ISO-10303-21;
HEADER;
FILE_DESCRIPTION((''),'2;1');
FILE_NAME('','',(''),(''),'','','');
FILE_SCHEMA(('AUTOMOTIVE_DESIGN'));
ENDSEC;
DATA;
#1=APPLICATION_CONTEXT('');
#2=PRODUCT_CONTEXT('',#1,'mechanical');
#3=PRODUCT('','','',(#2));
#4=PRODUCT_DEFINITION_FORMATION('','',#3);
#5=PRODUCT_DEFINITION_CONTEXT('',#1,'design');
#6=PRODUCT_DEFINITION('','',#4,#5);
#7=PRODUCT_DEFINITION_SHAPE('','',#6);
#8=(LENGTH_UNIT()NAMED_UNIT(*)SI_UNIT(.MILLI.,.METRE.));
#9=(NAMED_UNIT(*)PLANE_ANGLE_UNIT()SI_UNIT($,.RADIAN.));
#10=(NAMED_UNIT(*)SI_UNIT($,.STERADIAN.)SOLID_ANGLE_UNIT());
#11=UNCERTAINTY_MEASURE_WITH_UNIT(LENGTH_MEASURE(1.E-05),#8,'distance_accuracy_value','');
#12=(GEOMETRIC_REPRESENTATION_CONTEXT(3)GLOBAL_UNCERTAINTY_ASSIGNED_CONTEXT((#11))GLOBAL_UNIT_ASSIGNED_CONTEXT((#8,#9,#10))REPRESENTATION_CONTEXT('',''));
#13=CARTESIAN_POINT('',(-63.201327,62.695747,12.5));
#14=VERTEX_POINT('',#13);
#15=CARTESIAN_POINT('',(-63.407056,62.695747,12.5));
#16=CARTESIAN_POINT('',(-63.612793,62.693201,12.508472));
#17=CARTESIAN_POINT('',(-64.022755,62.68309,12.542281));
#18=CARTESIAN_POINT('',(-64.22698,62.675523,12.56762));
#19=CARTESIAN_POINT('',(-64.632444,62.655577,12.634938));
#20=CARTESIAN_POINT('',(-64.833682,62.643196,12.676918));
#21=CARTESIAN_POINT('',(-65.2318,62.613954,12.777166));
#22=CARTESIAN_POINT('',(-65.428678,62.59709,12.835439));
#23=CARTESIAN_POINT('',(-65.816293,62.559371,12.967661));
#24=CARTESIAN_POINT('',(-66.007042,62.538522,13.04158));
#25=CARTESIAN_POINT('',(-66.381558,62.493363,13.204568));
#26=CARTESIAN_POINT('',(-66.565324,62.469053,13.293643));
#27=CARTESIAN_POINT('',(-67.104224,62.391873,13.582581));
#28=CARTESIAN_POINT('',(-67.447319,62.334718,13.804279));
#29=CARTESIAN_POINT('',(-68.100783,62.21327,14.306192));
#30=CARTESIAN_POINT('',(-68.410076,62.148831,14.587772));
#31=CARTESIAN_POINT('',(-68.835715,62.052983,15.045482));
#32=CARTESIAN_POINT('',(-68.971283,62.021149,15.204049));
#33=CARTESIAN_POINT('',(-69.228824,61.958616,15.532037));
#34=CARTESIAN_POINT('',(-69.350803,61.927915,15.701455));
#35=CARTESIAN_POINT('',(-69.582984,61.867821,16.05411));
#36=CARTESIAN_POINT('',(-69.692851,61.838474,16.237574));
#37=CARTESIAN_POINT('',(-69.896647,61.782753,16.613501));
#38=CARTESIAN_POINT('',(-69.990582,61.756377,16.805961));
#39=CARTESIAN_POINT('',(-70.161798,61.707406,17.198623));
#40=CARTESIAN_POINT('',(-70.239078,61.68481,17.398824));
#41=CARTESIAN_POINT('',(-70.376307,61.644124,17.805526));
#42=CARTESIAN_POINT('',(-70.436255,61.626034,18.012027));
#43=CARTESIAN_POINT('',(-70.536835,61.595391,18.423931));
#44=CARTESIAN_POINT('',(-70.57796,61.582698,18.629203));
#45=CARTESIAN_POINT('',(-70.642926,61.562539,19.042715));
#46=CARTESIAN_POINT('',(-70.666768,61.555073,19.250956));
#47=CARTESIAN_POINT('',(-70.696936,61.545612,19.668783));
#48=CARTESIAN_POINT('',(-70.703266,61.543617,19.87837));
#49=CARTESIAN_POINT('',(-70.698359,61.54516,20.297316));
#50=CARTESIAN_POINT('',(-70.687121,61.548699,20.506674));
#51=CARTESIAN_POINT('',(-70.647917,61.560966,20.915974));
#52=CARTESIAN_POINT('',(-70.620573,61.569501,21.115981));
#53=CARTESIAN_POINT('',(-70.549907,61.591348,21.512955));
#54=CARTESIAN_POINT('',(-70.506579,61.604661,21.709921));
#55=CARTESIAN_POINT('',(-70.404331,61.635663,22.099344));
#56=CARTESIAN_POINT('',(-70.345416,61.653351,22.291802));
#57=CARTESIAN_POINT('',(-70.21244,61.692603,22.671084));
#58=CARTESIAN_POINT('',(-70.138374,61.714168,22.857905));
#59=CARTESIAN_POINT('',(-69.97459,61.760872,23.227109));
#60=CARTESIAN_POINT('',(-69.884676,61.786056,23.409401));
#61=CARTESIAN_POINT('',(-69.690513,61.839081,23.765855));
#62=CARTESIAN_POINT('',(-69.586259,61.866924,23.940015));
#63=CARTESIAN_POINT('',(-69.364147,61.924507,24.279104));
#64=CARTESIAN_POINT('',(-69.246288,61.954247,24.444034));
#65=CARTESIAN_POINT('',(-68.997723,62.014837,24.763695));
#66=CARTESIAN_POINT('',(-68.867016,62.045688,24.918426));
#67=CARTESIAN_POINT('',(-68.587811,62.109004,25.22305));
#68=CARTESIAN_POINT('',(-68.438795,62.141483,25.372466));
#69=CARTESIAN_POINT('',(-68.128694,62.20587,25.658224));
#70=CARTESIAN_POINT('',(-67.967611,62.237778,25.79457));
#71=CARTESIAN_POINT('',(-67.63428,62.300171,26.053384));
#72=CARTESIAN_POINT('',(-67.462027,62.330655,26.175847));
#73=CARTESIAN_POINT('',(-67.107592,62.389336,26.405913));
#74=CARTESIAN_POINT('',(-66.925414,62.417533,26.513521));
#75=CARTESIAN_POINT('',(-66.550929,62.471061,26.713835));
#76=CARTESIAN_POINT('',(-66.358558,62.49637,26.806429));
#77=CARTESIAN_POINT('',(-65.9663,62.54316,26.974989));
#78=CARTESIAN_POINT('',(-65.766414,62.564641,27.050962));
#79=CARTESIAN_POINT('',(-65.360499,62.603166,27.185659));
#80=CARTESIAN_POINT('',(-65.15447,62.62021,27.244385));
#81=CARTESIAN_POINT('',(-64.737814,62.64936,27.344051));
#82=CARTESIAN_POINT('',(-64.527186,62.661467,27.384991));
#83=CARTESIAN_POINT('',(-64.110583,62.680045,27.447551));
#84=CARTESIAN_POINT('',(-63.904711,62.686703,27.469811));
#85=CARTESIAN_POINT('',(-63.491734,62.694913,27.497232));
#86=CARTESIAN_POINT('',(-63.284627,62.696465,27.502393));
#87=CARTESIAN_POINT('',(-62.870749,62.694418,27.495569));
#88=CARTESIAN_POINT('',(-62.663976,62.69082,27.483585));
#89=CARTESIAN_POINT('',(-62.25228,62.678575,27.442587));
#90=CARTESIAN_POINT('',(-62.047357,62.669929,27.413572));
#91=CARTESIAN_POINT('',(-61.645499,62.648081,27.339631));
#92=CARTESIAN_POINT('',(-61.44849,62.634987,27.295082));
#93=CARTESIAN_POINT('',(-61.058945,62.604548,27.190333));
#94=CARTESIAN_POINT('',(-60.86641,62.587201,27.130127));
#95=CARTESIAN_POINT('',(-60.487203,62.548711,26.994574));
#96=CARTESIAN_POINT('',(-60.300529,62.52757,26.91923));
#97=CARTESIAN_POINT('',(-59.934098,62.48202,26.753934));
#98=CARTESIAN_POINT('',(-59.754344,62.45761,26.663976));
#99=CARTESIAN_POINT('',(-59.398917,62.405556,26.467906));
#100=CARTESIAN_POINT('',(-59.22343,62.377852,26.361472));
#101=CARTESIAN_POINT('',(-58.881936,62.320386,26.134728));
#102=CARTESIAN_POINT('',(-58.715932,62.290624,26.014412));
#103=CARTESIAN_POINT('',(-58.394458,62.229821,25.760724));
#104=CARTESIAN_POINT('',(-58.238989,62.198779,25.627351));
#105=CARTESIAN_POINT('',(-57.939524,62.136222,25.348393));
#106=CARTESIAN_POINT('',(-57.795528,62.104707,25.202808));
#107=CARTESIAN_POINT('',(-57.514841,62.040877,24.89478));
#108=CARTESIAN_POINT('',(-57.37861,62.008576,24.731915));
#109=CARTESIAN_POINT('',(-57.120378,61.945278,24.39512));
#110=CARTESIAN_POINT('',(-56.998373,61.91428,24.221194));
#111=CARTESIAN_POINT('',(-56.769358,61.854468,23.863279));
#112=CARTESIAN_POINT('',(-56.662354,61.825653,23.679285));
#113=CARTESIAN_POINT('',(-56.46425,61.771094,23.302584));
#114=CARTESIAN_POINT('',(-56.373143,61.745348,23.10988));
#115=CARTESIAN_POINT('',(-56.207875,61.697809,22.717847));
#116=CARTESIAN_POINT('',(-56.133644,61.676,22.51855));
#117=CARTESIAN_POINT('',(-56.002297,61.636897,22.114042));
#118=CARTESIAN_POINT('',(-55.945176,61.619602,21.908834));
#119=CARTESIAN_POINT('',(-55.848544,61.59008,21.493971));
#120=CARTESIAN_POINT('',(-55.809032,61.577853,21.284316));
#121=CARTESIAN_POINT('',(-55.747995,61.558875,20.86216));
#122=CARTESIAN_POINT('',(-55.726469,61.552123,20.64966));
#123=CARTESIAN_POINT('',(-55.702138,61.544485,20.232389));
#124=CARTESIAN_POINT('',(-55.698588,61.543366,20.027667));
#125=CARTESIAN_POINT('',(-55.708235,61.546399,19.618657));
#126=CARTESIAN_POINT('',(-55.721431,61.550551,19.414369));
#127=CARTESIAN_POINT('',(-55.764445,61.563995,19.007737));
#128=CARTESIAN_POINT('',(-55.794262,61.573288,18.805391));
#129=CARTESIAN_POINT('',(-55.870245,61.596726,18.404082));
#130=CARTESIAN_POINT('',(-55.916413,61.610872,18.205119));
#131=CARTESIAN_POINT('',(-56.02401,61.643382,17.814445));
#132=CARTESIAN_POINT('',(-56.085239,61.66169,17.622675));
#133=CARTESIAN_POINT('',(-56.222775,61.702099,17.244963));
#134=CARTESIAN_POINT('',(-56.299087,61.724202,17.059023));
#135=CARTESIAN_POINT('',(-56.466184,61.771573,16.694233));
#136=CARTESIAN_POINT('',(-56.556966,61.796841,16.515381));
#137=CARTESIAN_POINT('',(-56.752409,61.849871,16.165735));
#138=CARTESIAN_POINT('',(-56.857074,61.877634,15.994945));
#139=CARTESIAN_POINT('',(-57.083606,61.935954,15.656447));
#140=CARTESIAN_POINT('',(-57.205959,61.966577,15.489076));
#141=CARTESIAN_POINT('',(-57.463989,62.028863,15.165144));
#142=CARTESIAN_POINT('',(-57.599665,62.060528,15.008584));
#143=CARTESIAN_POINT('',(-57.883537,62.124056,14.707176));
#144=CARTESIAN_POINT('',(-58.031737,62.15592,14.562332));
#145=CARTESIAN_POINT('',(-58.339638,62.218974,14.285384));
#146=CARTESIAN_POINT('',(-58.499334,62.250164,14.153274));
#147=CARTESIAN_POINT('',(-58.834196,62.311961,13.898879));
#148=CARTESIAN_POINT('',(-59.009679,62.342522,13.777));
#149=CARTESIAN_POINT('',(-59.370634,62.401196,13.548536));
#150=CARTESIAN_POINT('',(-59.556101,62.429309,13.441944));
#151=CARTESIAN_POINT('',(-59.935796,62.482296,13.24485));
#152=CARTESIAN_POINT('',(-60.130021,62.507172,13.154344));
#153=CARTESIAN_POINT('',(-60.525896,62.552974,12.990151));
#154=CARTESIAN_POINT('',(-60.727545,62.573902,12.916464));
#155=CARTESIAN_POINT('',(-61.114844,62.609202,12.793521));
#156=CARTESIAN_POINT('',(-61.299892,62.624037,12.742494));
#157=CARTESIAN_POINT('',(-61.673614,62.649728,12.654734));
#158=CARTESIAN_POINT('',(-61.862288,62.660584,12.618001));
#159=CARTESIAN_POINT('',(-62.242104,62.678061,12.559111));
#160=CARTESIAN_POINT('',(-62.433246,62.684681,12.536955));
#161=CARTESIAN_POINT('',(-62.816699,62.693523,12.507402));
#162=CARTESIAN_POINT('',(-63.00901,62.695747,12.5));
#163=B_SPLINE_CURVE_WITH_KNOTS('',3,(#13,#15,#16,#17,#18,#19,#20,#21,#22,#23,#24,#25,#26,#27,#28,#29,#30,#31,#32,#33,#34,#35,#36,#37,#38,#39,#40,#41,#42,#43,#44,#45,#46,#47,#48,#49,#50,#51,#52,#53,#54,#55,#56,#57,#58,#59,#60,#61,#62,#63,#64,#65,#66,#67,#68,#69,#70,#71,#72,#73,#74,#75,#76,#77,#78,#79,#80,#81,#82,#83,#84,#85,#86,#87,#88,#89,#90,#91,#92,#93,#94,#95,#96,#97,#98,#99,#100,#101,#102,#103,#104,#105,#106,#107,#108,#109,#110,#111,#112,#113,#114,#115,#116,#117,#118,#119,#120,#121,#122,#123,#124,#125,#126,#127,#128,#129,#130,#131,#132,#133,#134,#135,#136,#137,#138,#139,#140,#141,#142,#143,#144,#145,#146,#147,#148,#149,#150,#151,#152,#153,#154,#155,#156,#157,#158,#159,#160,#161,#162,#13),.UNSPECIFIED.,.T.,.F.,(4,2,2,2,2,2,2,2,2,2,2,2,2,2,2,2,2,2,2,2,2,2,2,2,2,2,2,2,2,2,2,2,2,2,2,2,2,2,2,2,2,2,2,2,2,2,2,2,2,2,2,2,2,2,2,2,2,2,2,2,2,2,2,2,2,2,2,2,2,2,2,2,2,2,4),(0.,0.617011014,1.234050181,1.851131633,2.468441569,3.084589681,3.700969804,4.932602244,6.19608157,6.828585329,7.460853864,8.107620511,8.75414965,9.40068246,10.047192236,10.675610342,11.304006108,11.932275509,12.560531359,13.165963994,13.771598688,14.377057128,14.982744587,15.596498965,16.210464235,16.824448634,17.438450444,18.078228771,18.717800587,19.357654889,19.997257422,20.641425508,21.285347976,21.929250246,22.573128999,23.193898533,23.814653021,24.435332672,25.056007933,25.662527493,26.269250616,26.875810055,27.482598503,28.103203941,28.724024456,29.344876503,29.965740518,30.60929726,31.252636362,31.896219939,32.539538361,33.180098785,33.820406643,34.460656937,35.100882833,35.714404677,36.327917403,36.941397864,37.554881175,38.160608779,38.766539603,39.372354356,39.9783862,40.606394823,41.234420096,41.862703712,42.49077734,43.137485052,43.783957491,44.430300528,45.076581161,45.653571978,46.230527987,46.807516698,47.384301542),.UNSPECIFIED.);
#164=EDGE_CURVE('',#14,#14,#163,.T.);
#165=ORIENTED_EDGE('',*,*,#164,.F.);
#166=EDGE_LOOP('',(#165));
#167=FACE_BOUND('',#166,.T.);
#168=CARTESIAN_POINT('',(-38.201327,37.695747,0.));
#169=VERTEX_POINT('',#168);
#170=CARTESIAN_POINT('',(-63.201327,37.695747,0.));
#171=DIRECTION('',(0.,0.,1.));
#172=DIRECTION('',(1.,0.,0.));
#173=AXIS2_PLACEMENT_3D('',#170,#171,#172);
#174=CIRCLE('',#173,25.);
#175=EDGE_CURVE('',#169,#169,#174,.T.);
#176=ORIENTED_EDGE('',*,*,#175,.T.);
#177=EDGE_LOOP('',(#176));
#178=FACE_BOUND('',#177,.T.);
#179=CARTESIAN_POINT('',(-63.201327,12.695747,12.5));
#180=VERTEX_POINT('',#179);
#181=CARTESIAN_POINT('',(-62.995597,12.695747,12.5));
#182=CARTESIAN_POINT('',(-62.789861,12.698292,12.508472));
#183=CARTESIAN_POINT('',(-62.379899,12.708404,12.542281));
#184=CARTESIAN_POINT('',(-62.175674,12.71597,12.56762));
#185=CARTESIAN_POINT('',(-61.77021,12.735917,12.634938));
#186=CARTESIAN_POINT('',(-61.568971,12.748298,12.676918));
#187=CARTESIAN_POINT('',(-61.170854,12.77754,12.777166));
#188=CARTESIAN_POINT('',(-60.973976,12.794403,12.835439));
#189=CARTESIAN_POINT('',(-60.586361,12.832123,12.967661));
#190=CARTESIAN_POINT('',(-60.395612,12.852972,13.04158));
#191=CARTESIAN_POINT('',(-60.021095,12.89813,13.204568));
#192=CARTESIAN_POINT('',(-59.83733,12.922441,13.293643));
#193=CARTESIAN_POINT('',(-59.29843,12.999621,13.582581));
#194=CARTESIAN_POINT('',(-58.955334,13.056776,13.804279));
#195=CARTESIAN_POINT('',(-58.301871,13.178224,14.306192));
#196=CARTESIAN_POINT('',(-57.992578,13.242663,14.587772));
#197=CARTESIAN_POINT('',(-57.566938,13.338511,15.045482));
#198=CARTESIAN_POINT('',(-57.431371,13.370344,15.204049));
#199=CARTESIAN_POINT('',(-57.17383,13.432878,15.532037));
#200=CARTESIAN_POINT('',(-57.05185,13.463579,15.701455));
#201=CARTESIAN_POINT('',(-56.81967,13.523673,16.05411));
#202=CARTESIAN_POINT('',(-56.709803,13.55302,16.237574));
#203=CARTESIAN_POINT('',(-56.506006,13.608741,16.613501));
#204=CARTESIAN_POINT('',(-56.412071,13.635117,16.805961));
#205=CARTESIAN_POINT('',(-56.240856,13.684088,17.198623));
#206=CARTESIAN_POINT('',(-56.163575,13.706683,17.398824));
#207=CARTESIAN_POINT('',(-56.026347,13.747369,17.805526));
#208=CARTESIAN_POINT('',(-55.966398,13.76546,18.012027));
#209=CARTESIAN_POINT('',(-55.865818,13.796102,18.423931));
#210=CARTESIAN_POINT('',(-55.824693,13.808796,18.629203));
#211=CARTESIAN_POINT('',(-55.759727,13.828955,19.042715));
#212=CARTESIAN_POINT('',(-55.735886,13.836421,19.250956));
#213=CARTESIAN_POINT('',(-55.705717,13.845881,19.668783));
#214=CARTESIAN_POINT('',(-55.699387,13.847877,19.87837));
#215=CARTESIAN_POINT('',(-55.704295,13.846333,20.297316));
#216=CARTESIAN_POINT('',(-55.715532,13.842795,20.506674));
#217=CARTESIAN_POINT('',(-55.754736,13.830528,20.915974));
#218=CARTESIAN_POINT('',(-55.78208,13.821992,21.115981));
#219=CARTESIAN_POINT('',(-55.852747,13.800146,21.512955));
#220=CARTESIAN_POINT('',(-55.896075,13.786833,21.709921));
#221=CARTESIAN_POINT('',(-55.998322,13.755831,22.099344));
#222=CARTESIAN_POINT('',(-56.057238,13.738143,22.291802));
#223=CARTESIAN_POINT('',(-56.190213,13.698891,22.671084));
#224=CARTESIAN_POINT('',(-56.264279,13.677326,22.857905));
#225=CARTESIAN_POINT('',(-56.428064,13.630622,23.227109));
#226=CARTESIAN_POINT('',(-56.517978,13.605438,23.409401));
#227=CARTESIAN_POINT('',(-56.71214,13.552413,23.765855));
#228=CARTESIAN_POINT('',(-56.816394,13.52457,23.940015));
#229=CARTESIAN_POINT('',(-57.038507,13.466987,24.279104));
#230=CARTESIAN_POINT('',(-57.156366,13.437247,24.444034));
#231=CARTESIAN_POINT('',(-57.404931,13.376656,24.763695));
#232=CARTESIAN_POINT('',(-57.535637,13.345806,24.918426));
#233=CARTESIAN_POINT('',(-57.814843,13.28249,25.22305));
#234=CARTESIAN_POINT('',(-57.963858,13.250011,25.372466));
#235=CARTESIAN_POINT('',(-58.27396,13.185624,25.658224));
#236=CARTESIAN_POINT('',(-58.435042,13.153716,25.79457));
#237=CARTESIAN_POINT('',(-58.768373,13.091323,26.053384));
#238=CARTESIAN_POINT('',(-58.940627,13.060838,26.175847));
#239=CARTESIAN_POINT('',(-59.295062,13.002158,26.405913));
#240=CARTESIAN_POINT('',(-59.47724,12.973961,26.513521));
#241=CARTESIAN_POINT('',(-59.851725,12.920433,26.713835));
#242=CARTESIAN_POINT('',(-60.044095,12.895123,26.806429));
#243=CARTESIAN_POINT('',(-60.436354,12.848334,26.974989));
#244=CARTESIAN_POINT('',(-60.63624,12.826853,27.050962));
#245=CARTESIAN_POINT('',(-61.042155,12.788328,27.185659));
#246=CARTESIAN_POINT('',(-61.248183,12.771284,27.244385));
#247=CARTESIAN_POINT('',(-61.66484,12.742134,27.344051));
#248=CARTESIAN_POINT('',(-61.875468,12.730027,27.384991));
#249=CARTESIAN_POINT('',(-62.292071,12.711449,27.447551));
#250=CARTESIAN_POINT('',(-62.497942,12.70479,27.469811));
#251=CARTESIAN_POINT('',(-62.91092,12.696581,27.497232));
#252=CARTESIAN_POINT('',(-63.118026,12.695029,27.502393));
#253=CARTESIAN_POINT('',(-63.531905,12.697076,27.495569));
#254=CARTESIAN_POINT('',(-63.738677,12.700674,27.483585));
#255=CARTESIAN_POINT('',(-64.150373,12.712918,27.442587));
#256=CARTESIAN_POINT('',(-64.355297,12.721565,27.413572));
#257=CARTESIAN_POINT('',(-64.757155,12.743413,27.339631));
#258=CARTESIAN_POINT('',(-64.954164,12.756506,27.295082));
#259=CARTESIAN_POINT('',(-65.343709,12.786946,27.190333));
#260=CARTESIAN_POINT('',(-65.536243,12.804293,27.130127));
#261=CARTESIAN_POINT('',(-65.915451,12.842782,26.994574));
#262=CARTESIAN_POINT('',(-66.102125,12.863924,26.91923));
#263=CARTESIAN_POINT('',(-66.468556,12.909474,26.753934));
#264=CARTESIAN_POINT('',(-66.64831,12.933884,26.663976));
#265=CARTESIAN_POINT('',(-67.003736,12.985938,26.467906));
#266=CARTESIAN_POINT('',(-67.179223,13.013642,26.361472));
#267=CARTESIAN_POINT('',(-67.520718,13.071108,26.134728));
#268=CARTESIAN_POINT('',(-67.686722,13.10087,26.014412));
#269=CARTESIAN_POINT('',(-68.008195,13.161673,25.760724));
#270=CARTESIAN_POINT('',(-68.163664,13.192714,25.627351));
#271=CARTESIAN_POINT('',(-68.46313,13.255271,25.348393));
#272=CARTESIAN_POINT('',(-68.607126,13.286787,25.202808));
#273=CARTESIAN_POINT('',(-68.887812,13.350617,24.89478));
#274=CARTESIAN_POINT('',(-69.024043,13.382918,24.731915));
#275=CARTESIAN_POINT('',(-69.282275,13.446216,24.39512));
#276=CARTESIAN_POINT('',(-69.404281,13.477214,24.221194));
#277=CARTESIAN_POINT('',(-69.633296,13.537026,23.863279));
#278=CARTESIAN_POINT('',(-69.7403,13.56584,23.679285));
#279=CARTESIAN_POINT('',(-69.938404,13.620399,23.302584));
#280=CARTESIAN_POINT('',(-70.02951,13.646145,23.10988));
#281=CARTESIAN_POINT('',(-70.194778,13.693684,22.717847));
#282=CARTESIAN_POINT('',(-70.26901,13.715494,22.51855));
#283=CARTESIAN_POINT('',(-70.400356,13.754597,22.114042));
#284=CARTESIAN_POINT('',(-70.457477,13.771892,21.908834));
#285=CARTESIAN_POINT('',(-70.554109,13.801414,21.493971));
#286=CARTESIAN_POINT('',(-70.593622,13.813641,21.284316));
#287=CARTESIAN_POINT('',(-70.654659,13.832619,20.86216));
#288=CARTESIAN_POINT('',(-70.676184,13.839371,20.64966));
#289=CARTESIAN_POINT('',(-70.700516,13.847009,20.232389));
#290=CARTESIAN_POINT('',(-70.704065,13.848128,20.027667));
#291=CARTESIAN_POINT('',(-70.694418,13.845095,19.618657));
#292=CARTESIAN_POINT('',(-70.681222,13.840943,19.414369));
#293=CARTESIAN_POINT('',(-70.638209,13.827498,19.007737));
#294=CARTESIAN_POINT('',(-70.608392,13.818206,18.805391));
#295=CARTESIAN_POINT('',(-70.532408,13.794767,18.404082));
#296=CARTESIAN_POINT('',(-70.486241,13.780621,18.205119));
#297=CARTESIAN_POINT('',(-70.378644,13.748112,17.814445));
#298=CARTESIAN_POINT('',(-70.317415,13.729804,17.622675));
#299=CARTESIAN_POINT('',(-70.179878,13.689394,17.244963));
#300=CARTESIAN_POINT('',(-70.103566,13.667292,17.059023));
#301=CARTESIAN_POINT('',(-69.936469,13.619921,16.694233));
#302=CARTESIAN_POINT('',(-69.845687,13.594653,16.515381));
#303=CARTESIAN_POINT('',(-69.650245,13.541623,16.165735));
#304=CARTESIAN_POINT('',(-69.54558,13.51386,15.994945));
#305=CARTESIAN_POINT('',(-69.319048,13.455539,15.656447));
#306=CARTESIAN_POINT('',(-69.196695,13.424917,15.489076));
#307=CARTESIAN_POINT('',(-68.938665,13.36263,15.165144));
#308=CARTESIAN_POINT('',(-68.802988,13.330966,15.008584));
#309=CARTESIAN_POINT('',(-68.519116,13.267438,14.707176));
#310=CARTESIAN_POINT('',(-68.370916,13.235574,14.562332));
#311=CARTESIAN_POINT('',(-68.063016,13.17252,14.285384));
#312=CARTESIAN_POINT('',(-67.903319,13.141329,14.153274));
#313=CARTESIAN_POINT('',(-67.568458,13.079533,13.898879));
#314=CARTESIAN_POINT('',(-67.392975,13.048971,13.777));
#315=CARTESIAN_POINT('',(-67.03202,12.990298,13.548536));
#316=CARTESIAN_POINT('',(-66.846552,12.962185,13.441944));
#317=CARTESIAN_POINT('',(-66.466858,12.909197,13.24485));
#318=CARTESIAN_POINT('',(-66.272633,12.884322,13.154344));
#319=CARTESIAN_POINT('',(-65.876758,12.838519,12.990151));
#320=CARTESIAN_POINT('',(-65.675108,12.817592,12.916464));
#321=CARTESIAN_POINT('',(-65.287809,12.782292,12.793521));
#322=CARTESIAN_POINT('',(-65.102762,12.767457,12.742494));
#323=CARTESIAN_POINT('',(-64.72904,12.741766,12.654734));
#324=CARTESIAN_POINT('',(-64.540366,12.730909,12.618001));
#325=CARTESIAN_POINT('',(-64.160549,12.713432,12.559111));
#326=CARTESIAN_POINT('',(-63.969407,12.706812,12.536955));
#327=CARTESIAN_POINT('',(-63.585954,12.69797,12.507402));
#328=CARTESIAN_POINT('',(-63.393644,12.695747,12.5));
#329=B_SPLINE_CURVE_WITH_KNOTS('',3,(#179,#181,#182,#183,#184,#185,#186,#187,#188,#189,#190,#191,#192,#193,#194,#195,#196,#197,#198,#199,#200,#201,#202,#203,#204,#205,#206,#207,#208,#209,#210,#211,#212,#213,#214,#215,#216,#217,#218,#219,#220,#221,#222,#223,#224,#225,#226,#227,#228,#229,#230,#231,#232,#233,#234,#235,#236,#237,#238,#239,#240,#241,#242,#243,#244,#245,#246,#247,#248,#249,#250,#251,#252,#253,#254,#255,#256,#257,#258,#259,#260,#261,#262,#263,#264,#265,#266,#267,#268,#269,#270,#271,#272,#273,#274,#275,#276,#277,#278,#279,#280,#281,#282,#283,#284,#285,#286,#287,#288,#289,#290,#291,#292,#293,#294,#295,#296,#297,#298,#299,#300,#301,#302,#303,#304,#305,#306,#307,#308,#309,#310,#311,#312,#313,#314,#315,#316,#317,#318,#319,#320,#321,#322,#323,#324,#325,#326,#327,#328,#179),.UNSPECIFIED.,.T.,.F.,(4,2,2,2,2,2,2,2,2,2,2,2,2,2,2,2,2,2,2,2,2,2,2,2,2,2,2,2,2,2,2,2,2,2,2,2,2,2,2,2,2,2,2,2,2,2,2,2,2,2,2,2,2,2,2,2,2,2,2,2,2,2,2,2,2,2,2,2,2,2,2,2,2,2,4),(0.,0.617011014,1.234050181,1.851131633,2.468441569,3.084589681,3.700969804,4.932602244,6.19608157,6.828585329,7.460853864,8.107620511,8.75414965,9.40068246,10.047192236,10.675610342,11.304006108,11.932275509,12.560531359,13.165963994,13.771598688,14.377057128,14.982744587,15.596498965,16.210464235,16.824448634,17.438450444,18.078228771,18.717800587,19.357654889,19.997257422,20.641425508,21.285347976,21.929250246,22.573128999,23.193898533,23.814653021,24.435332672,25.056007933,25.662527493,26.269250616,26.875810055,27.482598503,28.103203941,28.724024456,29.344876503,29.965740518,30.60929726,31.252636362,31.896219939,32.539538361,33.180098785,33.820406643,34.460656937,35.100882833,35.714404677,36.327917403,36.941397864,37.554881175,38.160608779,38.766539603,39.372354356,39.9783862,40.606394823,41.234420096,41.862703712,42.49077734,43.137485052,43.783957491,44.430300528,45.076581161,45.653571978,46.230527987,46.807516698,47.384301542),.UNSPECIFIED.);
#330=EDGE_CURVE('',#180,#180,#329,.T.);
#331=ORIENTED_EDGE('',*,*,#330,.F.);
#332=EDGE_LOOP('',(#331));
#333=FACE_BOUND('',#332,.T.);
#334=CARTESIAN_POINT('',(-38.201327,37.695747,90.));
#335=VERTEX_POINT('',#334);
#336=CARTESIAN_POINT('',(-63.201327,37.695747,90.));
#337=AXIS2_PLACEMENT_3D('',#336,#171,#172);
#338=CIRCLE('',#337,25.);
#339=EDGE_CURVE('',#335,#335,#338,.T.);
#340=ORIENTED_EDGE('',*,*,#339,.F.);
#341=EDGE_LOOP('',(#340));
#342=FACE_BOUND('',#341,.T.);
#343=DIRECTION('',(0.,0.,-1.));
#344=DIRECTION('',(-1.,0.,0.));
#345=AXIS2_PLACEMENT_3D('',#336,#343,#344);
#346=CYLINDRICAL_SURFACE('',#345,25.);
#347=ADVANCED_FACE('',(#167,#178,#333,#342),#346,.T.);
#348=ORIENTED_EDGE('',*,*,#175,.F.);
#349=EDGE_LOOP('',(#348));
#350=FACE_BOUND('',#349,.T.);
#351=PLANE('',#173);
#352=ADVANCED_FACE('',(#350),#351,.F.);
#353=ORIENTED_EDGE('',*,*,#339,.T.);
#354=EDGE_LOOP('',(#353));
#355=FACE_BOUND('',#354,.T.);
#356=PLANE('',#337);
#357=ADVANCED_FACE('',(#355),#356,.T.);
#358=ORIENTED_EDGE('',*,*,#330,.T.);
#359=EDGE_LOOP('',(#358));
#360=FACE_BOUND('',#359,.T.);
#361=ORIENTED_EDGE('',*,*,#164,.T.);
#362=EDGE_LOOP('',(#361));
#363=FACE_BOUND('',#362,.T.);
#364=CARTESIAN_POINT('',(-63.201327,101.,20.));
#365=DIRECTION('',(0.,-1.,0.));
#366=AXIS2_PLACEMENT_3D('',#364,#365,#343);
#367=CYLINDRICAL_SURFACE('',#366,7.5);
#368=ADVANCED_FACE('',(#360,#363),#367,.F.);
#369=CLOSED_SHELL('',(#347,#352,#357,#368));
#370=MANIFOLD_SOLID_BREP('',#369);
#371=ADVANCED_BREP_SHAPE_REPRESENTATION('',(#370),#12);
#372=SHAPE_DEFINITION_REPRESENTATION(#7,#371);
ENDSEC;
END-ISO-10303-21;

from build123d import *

# Parameters (mm, degrees)
SKETCH1_R           = 25
BOSS_EXTRUDE1_DEPTH = 90
SKETCH2_R           = 7.5
CUT_EXTRUDE2_DEPTH  = 101


with BuildPart() as part:
    # Sketch1 → Boss-Extrude1 (new body)
    with BuildSketch(Plane.XY):
        with Locations(Location((-63.201326803, 37.695746847, 0), (0, 0, 180))):
            Circle(SKETCH1_R)
    extrude(amount=BOSS_EXTRUDE1_DEPTH)

    # Sketch2 → Cut-Extrude2 (cut)
    with BuildSketch(Plane(origin=(0, 0, 0), x_dir=(1, 0, 0), z_dir=(0, 1, 0))):
        with Locations(Location((-63.201326803, -20, 0), (0, 0, 90))):
            Circle(SKETCH2_R)
    extrude(amount=CUT_EXTRUDE2_DEPTH, mode=Mode.SUBTRACT)


solid = part.part
